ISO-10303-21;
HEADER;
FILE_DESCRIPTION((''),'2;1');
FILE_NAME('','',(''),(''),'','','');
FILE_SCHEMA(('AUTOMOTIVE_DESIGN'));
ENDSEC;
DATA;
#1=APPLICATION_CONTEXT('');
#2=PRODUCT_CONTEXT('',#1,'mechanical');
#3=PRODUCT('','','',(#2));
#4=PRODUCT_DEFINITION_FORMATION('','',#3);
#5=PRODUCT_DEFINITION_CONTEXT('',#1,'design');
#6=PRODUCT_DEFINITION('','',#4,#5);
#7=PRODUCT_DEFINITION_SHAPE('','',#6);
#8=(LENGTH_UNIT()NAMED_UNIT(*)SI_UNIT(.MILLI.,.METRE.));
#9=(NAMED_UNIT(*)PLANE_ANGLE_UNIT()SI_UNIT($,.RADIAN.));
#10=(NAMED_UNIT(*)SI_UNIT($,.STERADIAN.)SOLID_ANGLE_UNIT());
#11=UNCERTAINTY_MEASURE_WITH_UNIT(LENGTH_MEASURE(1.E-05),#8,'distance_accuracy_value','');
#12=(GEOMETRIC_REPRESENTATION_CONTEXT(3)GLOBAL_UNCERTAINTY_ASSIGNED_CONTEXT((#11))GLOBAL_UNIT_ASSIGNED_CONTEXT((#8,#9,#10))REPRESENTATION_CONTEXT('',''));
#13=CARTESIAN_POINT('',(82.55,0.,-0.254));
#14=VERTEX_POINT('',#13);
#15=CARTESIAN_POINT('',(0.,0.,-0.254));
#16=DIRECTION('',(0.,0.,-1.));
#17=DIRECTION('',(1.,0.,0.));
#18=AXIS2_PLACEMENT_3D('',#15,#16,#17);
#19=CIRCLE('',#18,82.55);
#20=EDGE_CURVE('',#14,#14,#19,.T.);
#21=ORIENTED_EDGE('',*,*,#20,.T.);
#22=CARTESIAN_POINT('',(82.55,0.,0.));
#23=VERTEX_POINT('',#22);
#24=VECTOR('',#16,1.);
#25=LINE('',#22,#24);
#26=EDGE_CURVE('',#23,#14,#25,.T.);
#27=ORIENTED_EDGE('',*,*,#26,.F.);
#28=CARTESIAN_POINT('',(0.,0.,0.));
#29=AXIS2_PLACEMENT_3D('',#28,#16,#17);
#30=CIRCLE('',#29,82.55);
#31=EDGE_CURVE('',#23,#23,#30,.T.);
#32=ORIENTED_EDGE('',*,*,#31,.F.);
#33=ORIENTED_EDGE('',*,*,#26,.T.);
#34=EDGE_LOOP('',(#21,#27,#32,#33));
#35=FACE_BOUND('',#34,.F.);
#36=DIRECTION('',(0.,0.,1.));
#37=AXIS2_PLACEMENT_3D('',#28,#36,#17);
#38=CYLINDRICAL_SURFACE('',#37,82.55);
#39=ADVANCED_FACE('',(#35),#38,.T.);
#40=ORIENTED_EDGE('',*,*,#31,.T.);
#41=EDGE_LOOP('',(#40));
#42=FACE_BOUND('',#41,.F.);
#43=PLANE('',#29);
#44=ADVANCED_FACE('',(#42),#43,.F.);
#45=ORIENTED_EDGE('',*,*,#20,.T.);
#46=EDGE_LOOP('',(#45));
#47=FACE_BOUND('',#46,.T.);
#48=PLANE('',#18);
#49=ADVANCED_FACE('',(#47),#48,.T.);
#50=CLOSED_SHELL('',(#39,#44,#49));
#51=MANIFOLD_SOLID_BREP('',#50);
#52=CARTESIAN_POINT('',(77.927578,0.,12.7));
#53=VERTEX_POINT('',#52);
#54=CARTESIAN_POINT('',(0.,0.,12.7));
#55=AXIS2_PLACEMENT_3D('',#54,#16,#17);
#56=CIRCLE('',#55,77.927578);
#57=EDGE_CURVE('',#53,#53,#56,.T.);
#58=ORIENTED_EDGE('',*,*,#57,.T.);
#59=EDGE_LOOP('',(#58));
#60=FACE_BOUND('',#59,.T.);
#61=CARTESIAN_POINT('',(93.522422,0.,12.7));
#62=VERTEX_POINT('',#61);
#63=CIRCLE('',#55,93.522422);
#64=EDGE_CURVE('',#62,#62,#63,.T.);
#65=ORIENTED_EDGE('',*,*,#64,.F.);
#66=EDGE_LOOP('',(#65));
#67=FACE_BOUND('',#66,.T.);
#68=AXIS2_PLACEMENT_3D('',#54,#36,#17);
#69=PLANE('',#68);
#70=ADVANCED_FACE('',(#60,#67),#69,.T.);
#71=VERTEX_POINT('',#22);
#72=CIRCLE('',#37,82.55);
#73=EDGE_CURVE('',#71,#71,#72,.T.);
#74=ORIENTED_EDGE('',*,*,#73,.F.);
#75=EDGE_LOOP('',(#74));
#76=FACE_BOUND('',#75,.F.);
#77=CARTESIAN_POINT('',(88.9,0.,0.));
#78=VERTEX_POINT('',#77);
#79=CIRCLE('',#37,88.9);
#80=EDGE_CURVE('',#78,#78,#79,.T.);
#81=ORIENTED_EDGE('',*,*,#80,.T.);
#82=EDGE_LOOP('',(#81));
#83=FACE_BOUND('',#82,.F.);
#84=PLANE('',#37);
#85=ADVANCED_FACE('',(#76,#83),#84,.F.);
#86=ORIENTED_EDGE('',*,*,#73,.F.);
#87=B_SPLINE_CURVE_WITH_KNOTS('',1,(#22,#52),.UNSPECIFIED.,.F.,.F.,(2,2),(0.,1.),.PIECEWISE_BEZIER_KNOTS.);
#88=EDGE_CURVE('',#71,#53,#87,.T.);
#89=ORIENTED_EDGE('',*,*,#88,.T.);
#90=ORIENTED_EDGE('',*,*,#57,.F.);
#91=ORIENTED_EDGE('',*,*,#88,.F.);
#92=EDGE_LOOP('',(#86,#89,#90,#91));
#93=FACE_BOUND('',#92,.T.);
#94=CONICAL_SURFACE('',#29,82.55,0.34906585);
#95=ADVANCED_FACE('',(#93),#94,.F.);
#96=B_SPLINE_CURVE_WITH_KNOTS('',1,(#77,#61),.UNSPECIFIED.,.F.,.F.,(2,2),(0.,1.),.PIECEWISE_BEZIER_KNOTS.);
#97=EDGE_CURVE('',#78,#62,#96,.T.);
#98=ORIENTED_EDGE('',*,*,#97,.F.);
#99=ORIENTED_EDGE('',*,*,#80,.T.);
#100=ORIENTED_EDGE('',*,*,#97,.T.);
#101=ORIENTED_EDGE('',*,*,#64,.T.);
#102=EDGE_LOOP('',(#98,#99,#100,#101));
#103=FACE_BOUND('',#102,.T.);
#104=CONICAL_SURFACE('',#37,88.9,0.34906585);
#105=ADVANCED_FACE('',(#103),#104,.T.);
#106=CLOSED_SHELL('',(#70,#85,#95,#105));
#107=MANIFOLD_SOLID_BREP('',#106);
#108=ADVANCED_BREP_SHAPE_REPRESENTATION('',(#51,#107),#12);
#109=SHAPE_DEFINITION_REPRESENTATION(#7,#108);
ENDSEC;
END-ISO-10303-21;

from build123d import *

# Parameters (mm, degrees)
F0_R     = 88.9
F0_R_2   = 82.55
F1_DEPTH = 12.7
F1_TAPER = -20
F2_R     = 82.55
F3_DEPTH = 0.254


with BuildPart() as f1:
    # F0 (on Top) → F1 (new body)
    with BuildSketch(Plane.XY):
        Circle(F0_R)
        Circle(F0_R_2, mode=Mode.SUBTRACT)
    extrude(amount=F1_DEPTH, taper=F1_TAPER)


with BuildPart() as f3:
    # F2 (on face) → F3 (new body)
    with BuildSketch(Plane(origin=(0, 0, 0), x_dir=(1, 0, 0), z_dir=(0, 0, -1))):
        Circle(F2_R)
    extrude(amount=F3_DEPTH)


solid = Compound([f1.part, f3.part])
